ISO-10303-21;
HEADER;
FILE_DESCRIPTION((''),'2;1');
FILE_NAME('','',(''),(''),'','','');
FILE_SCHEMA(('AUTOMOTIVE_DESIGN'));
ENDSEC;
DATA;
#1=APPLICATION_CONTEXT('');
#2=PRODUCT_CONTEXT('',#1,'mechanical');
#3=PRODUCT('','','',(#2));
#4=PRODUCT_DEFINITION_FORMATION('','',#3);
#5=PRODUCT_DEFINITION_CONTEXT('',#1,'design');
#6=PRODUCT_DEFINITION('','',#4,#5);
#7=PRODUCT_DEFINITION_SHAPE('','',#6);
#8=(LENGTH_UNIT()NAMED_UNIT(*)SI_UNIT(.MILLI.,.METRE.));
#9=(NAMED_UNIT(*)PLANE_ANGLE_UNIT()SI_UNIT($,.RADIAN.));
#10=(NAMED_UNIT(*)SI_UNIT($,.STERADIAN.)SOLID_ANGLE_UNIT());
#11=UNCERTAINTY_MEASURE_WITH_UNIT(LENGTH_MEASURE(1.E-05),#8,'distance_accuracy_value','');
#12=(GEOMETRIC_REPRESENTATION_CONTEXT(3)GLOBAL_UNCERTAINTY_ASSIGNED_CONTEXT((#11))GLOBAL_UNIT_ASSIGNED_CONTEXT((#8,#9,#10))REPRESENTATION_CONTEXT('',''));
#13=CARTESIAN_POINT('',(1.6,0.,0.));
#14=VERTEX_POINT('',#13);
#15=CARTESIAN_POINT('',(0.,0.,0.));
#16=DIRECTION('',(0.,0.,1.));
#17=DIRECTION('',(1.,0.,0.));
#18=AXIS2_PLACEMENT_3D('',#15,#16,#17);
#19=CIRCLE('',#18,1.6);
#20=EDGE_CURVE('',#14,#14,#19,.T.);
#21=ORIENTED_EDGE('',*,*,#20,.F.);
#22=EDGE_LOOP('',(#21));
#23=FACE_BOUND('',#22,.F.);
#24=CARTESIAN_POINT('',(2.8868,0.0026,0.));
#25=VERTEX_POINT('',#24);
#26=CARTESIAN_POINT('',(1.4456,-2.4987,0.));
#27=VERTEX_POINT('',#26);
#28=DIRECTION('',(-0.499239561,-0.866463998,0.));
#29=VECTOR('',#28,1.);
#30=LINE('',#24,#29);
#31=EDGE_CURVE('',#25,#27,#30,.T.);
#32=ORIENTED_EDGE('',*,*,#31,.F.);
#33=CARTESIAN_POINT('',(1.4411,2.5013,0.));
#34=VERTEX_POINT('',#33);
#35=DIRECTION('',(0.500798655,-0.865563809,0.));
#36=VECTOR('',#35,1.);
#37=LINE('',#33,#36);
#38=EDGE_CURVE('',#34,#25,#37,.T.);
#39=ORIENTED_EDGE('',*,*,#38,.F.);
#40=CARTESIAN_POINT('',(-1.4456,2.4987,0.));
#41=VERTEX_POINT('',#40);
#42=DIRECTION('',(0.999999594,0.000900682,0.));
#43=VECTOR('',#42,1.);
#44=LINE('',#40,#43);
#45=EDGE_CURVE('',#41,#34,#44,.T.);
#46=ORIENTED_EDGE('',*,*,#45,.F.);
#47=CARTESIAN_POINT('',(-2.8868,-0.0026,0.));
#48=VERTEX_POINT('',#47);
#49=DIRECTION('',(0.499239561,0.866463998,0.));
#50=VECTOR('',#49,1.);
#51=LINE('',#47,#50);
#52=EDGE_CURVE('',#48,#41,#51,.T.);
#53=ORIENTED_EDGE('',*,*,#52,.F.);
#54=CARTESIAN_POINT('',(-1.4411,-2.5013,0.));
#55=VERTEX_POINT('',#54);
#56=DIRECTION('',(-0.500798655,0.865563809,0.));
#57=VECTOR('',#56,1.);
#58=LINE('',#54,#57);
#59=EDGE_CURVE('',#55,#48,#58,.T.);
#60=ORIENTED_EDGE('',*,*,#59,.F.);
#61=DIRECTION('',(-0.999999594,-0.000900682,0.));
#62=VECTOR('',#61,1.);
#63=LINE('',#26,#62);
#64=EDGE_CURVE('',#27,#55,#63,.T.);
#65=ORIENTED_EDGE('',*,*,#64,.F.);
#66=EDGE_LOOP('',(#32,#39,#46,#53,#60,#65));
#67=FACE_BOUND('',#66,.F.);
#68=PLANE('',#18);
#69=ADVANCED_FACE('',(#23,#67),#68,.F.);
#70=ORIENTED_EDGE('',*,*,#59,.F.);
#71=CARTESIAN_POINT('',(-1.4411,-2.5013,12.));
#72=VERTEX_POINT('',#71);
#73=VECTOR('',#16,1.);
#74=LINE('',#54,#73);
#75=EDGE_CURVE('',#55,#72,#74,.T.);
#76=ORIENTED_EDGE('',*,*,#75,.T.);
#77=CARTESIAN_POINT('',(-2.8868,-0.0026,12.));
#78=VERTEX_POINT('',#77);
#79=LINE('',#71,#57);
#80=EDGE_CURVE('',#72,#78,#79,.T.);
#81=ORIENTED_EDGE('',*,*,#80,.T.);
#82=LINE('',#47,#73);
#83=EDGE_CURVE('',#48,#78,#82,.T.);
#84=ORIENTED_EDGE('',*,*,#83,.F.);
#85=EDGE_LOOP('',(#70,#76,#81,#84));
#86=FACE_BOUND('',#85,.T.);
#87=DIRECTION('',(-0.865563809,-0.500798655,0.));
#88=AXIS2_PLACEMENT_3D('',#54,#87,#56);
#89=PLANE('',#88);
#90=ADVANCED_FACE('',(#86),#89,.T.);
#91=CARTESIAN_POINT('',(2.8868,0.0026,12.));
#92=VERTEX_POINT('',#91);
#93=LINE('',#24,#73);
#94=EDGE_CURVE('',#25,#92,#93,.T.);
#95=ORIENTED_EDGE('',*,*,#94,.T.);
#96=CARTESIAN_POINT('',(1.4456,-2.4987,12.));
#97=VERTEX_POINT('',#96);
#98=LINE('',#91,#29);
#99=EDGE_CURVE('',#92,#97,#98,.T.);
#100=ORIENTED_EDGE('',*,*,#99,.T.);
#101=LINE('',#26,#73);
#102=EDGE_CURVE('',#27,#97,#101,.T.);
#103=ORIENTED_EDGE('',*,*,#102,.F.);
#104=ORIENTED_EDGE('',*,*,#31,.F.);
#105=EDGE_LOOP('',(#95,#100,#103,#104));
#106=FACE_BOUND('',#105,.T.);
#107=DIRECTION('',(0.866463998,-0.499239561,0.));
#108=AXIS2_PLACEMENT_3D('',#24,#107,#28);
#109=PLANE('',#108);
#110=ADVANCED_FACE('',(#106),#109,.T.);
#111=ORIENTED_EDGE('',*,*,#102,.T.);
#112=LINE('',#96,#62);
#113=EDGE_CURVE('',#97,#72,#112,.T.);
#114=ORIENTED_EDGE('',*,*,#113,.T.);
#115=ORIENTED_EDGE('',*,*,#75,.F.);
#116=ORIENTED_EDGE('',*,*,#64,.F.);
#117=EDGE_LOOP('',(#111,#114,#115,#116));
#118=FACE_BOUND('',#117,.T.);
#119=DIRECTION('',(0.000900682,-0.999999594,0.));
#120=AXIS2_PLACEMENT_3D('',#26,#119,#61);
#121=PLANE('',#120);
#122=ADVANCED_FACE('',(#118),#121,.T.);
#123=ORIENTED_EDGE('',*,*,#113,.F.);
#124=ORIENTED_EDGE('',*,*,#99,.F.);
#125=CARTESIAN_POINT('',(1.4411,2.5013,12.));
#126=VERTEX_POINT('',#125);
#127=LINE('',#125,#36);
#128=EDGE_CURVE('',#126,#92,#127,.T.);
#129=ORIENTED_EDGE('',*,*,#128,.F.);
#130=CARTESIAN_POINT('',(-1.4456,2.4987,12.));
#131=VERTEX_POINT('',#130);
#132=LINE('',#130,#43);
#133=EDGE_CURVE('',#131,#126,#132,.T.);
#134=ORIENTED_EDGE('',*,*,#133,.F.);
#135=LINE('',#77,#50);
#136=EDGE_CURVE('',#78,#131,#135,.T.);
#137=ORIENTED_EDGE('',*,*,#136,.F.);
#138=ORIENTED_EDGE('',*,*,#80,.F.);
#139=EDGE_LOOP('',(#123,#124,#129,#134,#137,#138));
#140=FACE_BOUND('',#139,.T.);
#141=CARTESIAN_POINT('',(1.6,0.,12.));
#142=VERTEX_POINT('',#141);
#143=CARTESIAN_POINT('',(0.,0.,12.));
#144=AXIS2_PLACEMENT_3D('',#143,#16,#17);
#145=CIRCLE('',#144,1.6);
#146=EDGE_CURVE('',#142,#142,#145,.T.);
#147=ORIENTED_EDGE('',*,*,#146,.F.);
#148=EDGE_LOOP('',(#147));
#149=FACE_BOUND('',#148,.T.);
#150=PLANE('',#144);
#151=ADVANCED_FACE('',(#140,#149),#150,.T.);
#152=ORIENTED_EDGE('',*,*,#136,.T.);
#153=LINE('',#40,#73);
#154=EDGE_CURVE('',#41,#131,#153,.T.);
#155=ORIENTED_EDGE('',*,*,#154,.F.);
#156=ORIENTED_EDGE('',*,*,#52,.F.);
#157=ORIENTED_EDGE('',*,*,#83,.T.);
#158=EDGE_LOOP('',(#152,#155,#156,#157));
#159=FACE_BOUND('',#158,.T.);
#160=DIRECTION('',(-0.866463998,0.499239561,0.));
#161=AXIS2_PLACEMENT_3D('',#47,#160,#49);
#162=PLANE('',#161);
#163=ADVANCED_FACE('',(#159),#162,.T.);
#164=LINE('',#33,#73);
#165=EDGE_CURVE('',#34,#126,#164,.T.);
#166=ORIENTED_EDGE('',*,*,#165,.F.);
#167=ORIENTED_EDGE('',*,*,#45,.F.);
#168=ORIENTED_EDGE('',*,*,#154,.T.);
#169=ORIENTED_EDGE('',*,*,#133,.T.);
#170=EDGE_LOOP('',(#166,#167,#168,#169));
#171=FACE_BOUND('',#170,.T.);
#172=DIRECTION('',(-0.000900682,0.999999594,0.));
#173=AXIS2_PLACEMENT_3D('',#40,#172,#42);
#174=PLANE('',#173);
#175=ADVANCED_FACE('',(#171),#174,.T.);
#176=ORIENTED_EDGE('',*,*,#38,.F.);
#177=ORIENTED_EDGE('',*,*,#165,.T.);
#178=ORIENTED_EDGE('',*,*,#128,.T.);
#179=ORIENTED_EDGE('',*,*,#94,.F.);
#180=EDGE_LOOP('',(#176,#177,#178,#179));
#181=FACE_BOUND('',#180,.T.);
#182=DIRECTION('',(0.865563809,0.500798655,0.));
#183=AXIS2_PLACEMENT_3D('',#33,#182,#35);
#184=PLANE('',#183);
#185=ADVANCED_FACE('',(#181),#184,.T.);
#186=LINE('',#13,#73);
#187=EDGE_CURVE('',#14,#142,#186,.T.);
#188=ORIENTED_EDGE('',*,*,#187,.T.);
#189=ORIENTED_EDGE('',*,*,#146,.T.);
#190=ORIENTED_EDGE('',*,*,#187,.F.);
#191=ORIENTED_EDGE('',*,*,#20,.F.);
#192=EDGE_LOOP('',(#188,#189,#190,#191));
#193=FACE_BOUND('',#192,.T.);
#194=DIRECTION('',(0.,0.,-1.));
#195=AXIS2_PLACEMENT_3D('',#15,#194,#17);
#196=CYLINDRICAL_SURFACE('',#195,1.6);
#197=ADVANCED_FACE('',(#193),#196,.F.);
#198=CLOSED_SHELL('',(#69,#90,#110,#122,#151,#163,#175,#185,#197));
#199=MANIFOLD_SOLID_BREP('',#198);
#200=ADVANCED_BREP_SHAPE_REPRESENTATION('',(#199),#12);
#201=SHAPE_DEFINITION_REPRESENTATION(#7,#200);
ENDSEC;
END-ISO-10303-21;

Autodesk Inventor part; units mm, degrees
ref_plane "YZ Plane" through (0, 0, 0) normal (1, 0, 0) x (0, 1, 0)
ref_plane "XZ Plane" through (0, 0, 0) normal (0, 1, 0) x (-1, 0, 0)
ref_plane "XY Plane" through (0, 0, 0) normal (0, 0, 1) x (1, 0, 0)
sketch "スケッチ1" plane through (0, 0, 0) normal (0, 0, 1) x (1, 0, 0)
  line L0 (1.4411, 2.5013) -> (2.8868, 0.0026)
  line L1 (2.8868, 0.0026) -> (1.4456, -2.4987)
  line L2 (1.4456, -2.4987) -> (-1.4411, -2.5013)
  line L3 (-1.4411, -2.5013) -> (-2.8868, -0.0026)
  line L4 (-2.8868, -0.0026) -> (-1.4456, 2.4987)
  line L5 (-1.4456, 2.4987) -> (1.4411, 2.5013)
  circle A0 centre (0, 0) radius 1.6
  dimension "d0" = 3.2
  dimension "d1" = 5
extrude "押し出し1" add sketch "スケッチ1" along normal blind 12
properties part number "ライントレーズスペーサ"
